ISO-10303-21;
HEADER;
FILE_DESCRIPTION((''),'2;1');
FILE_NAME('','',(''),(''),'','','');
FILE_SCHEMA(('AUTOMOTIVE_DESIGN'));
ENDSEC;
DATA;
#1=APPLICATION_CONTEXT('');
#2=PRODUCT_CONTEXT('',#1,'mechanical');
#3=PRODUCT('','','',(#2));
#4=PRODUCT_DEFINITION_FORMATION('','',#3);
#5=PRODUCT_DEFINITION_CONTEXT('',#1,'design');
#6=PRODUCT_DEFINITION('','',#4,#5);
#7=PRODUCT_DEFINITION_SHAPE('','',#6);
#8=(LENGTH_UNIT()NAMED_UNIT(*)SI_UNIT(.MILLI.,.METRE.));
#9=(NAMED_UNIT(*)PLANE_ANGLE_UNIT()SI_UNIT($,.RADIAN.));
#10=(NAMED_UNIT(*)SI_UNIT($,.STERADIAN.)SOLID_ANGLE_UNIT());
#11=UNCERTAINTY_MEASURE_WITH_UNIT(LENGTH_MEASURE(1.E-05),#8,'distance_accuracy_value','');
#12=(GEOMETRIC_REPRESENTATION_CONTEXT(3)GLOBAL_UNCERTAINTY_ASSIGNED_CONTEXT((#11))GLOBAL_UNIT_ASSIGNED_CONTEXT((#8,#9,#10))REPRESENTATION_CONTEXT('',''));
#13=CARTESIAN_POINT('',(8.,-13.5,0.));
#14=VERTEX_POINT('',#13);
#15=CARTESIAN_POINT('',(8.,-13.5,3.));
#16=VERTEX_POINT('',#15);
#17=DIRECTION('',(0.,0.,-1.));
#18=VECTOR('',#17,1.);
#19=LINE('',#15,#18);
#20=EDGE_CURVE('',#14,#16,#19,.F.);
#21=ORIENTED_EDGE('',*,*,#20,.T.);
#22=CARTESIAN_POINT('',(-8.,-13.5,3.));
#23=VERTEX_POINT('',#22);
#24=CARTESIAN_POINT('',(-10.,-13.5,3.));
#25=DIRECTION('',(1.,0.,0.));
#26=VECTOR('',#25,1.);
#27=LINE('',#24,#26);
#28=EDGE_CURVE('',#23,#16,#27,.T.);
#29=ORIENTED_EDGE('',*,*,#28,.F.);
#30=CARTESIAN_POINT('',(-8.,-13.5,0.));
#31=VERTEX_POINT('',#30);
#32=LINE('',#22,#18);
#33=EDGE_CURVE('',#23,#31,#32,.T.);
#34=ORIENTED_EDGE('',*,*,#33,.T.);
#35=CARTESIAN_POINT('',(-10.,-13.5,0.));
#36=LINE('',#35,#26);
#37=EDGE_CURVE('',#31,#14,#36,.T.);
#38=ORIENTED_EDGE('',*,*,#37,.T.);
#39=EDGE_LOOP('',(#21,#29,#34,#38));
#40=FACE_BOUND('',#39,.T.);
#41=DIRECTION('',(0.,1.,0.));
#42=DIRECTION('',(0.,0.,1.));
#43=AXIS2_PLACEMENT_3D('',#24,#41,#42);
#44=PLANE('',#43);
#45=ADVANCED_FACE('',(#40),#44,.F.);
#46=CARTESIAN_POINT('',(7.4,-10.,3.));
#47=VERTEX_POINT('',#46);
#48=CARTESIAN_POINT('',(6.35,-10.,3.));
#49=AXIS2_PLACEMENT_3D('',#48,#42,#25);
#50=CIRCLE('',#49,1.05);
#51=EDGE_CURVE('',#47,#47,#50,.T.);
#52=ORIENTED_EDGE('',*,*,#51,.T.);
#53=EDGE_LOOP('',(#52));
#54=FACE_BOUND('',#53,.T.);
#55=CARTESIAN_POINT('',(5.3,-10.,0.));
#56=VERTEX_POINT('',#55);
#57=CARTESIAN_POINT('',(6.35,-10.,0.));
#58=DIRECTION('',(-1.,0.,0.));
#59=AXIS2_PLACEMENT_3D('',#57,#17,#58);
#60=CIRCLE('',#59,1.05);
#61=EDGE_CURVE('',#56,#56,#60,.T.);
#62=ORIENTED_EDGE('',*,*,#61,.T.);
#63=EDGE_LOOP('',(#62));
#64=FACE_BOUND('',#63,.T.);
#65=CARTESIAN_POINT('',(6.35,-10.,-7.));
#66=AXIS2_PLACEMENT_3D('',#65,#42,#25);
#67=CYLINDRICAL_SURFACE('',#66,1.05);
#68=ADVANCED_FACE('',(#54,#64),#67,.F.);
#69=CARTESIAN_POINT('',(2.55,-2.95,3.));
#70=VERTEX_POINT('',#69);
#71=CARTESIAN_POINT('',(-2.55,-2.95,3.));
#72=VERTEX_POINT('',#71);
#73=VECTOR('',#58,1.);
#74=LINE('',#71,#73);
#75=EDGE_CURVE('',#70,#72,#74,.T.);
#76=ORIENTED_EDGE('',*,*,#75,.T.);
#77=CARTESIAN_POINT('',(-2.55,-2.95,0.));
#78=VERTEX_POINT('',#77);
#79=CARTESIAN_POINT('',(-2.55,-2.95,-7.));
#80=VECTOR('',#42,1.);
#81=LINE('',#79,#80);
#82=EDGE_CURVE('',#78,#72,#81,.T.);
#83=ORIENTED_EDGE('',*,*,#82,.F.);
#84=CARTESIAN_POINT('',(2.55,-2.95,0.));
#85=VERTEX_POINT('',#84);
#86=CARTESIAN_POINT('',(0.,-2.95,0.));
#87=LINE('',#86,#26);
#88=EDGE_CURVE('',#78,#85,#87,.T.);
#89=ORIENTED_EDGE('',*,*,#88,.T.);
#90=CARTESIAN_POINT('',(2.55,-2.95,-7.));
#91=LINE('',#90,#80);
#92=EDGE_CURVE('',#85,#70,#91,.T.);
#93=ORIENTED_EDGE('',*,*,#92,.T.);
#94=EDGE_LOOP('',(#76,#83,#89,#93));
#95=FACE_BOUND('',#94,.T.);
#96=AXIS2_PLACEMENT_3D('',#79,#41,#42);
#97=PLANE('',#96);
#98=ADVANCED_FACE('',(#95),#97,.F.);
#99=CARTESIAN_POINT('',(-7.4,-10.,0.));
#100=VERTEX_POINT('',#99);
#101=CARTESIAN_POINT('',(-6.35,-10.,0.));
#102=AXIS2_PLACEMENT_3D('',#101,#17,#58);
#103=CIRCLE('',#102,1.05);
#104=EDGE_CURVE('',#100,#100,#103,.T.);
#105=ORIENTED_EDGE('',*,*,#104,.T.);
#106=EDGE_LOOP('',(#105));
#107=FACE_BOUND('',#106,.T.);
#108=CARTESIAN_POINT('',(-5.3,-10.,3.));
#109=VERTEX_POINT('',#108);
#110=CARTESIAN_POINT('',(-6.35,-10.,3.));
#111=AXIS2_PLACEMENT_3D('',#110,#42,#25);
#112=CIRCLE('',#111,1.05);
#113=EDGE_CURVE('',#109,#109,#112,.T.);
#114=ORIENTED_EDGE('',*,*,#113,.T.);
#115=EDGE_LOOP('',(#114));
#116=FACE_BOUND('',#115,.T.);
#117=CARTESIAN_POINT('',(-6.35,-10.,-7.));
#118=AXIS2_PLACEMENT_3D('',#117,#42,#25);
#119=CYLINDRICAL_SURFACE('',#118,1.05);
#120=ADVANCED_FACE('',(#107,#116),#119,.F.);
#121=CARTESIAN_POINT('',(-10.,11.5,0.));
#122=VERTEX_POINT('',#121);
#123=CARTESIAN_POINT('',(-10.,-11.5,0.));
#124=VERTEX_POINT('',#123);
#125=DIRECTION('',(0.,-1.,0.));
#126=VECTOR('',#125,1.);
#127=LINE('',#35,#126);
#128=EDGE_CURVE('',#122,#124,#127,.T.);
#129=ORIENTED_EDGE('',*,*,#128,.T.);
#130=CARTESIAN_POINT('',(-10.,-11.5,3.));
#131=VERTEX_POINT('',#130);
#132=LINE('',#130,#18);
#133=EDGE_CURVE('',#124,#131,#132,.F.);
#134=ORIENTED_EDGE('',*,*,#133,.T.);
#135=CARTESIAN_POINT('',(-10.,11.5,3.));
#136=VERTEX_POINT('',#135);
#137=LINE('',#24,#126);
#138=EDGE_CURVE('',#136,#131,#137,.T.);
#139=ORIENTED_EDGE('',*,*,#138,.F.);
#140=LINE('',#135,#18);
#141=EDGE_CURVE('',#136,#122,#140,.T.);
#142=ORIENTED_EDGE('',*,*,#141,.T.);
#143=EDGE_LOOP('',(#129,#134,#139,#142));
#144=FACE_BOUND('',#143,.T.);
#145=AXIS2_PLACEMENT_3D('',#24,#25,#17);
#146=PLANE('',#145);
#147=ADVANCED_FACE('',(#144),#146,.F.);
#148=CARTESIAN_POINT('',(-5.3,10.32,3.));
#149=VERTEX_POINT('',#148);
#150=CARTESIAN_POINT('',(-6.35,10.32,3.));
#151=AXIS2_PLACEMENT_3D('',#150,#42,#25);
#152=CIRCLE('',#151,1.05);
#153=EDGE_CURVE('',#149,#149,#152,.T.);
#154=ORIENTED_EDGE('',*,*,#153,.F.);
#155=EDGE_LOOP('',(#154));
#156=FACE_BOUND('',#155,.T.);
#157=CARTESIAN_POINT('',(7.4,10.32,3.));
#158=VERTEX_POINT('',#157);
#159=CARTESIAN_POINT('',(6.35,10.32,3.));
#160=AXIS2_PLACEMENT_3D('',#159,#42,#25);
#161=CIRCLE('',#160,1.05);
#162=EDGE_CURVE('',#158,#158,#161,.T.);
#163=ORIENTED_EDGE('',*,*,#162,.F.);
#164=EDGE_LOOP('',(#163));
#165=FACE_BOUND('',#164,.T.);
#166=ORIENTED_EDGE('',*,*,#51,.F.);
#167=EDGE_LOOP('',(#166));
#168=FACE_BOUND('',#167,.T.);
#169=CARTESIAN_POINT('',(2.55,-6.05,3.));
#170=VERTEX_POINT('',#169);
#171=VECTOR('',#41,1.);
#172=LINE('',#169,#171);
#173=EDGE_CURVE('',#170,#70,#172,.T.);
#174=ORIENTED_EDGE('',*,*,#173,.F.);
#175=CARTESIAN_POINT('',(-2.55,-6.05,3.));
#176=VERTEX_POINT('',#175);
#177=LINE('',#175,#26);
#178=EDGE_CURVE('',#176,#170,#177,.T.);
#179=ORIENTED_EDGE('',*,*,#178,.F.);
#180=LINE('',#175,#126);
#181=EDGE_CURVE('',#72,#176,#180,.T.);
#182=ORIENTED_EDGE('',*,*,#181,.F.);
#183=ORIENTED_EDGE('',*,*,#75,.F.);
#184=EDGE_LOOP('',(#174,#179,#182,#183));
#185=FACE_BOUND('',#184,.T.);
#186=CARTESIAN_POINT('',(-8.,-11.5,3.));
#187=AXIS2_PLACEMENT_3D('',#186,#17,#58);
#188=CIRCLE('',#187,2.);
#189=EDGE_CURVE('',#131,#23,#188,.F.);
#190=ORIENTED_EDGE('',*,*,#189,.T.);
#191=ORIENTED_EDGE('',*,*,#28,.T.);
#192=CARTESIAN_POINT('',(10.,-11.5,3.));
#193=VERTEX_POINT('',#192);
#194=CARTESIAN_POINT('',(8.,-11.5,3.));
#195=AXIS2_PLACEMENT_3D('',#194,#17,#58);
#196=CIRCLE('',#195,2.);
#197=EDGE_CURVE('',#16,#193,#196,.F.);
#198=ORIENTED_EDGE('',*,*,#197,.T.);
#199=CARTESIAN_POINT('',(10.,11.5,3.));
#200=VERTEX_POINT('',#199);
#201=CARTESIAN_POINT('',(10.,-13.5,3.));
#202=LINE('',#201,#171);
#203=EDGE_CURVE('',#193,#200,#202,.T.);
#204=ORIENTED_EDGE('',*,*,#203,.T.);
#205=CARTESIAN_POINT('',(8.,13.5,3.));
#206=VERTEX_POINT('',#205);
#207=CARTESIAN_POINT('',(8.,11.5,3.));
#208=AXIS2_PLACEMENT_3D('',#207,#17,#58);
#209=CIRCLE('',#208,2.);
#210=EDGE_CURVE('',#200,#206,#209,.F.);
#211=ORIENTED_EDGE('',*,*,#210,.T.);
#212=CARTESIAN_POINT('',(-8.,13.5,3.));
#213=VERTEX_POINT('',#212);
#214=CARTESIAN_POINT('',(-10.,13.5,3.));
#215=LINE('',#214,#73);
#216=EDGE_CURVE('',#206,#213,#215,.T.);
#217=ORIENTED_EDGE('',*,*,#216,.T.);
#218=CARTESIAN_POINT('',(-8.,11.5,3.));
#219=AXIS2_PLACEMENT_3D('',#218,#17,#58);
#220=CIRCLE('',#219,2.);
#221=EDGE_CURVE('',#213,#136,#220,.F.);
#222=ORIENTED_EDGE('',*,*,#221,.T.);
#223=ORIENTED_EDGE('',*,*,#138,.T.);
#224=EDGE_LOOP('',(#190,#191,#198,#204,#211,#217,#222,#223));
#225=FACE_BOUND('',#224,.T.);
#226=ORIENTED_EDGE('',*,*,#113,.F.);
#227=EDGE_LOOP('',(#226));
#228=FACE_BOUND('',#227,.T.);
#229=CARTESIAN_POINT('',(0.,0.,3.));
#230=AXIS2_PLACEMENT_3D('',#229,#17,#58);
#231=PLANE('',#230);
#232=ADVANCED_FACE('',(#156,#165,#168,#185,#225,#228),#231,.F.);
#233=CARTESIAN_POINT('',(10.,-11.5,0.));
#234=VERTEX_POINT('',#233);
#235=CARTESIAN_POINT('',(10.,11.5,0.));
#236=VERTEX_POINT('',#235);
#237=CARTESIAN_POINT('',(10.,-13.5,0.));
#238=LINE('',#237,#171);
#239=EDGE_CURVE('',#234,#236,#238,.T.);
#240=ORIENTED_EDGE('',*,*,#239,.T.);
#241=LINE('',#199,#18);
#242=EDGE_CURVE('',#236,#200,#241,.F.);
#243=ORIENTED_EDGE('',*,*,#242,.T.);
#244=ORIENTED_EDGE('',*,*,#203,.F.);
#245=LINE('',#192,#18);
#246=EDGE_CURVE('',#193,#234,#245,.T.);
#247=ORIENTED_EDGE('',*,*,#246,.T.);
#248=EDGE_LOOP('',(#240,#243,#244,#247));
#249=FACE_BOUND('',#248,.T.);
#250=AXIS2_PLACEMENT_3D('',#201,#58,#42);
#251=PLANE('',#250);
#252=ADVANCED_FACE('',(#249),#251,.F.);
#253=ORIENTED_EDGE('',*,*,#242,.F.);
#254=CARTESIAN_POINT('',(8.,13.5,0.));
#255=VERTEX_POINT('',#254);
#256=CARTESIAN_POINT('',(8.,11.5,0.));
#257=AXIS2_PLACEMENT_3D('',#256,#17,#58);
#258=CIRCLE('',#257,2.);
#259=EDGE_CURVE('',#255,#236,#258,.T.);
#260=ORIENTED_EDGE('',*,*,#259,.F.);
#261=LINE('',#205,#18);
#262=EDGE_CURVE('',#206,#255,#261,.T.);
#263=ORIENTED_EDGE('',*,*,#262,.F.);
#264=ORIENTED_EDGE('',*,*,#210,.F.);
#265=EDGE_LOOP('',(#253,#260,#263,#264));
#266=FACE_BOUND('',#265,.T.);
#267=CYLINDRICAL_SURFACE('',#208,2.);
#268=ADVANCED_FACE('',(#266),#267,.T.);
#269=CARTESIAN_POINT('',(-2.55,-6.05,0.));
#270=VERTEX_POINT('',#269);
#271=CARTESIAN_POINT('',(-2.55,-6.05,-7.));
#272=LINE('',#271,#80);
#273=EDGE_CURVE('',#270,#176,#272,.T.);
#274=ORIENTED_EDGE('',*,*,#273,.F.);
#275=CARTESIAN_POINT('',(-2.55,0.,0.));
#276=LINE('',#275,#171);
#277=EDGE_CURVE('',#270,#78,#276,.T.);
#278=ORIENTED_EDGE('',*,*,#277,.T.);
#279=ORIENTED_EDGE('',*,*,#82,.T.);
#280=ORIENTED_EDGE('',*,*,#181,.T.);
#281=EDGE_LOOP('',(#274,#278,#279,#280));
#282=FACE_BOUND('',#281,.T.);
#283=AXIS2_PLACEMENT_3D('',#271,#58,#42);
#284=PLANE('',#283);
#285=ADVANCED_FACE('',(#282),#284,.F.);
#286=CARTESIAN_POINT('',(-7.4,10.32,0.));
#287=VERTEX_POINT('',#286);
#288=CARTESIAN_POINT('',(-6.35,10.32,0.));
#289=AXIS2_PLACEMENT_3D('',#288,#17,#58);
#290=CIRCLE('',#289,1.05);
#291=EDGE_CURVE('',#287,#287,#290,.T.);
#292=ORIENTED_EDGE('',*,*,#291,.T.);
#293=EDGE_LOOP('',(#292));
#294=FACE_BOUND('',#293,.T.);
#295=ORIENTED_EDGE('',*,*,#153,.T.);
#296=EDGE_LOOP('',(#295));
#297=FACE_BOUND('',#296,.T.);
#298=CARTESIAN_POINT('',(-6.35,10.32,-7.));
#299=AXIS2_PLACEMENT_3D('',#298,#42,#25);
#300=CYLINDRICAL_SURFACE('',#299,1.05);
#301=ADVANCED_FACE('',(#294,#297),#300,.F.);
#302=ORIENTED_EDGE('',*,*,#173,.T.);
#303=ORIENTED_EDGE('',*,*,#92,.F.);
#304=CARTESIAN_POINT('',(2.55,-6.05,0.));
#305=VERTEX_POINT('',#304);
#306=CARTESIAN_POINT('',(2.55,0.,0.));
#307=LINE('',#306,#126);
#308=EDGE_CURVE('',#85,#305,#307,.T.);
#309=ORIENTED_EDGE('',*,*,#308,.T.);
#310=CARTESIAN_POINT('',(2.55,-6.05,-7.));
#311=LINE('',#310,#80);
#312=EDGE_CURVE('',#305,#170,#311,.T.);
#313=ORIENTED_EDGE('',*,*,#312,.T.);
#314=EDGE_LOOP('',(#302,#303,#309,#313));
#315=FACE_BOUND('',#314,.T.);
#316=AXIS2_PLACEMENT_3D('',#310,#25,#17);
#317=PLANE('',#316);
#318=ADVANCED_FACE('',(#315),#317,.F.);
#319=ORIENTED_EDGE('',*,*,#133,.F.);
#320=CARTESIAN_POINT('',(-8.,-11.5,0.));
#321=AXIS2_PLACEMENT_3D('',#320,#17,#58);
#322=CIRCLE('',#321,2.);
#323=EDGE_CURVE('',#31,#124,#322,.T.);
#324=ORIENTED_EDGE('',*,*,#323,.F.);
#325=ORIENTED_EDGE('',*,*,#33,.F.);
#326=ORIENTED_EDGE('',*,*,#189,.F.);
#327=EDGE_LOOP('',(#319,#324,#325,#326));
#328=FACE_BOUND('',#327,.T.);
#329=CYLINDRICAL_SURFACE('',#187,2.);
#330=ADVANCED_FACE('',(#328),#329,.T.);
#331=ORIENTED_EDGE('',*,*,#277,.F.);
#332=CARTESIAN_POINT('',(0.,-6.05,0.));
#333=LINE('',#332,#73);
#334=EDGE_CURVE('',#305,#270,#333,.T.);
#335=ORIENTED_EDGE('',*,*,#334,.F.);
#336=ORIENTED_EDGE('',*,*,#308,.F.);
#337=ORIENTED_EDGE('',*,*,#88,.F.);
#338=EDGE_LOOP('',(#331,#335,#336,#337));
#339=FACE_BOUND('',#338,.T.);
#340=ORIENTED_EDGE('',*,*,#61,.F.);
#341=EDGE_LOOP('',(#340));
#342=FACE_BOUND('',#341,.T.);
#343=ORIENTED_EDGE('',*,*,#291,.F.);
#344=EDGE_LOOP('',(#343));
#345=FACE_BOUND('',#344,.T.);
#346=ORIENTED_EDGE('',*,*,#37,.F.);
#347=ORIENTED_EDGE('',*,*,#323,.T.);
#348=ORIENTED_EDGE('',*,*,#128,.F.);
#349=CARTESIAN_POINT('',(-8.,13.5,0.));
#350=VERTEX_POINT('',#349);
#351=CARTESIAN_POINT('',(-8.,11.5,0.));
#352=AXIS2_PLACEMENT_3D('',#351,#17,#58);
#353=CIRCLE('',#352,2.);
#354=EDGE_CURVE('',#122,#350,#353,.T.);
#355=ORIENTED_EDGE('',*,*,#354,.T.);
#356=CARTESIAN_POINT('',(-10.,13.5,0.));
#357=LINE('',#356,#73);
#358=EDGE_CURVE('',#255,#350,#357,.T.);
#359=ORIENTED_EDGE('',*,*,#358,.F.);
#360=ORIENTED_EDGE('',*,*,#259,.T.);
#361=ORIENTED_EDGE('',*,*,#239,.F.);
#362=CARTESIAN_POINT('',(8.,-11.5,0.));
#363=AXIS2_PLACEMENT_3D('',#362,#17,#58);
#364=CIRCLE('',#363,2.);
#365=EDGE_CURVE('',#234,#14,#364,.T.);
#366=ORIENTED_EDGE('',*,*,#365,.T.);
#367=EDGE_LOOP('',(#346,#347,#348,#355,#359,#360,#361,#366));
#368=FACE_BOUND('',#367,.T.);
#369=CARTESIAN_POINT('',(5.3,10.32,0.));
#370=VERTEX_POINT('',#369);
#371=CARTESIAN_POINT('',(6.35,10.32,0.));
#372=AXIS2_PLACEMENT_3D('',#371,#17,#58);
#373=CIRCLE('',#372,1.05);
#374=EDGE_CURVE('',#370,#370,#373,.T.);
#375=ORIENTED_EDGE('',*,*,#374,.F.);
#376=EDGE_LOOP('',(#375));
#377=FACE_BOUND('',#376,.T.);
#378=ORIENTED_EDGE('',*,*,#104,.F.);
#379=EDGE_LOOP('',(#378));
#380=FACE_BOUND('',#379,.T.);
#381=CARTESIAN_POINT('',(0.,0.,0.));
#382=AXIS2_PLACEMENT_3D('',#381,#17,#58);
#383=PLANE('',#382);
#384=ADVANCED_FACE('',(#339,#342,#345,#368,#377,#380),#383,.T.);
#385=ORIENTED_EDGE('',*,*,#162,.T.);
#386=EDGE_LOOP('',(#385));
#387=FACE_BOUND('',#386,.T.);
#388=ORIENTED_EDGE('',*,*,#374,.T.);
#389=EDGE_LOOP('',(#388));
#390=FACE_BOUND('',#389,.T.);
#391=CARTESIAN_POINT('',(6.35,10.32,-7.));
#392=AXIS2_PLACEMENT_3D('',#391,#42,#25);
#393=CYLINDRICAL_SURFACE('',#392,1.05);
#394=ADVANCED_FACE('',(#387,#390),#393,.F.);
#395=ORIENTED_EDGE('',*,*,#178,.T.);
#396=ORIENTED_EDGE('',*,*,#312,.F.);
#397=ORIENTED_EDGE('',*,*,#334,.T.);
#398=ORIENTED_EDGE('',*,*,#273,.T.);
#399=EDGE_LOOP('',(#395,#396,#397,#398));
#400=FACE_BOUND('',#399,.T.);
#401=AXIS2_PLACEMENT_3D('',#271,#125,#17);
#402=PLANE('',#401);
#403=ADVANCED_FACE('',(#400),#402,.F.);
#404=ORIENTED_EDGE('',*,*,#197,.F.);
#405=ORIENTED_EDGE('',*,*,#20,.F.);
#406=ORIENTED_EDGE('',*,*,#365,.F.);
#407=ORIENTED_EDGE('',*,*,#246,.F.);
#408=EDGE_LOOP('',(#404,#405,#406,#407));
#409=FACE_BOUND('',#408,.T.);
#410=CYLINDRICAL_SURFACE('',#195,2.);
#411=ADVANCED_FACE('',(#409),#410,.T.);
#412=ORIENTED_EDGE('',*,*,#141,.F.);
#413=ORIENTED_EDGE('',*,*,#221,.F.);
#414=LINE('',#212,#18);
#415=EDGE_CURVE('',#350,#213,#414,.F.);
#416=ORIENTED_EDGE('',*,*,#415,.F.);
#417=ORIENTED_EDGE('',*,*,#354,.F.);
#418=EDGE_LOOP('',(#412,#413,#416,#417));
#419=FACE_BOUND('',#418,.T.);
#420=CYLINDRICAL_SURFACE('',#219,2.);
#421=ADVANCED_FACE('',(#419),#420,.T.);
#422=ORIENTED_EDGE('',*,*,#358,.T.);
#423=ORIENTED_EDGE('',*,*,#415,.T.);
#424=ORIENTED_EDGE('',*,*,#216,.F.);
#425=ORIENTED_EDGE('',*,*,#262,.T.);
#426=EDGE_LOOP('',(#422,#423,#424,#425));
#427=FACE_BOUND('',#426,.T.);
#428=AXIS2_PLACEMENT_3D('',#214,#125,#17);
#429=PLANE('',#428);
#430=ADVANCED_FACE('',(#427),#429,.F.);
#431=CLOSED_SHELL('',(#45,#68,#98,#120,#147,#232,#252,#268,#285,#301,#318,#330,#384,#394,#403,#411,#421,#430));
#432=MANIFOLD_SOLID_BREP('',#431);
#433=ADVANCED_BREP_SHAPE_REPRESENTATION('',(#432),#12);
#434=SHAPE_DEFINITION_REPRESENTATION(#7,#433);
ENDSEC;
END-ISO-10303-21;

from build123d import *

# Parameters (mm, degrees)
CROQUIS1_W              = 20
CROQUIS1_H              = 27
SALIENTE_EXTRUIR1_DEPTH = 3
CROQUIS2_W              = 5.1
CROQUIS2_H              = 3.1
CORTAR_EXTRUIR1_DEPTH   = 10
CROQUIS3_R              = 1.05
CORTAR_EXTRUIR2_DEPTH   = 10
REDONDEO1_R             = 2


with BuildPart() as part:
    # Croquis1 → Saliente-Extruir1 (new body)
    with BuildSketch(Plane.XY):
        Rectangle(CROQUIS1_W, CROQUIS1_H)
    extrude(amount=SALIENTE_EXTRUIR1_DEPTH)

    # Croquis2 → Cortar-Extruir1 (cut)
    with BuildSketch(Plane.XY.offset(3)):
        with Locations((0, -4.5)):
            Rectangle(CROQUIS2_W, CROQUIS2_H)
    extrude(amount=-CORTAR_EXTRUIR1_DEPTH, mode=Mode.SUBTRACT)

    # Croquis3 → Cortar-Extruir2 (cut)
    with BuildSketch(Plane.XY.offset(3)):
        with Locations((-6.35, 10.32)):
            Circle(CROQUIS3_R)
        with Locations((6.35, 10.32)):
            Circle(CROQUIS3_R)
        with Locations((6.35, -10)):
            Circle(CROQUIS3_R)
        with Locations((-6.35, -10)):
            Circle(CROQUIS3_R)
    extrude(amount=-CORTAR_EXTRUIR2_DEPTH, mode=Mode.SUBTRACT)

    # Redondeo1
    redondeo1_edges = [part.edges().sort_by_distance(p)[0] for p in [
        (10, -13.5, 1.5),
        (-10, -13.5, 1.5),
        (-10, 13.5, 1.5),
        (10, 13.5, 1.5),
    ]]
    fillet(redondeo1_edges, radius=REDONDEO1_R)


solid = part.part
